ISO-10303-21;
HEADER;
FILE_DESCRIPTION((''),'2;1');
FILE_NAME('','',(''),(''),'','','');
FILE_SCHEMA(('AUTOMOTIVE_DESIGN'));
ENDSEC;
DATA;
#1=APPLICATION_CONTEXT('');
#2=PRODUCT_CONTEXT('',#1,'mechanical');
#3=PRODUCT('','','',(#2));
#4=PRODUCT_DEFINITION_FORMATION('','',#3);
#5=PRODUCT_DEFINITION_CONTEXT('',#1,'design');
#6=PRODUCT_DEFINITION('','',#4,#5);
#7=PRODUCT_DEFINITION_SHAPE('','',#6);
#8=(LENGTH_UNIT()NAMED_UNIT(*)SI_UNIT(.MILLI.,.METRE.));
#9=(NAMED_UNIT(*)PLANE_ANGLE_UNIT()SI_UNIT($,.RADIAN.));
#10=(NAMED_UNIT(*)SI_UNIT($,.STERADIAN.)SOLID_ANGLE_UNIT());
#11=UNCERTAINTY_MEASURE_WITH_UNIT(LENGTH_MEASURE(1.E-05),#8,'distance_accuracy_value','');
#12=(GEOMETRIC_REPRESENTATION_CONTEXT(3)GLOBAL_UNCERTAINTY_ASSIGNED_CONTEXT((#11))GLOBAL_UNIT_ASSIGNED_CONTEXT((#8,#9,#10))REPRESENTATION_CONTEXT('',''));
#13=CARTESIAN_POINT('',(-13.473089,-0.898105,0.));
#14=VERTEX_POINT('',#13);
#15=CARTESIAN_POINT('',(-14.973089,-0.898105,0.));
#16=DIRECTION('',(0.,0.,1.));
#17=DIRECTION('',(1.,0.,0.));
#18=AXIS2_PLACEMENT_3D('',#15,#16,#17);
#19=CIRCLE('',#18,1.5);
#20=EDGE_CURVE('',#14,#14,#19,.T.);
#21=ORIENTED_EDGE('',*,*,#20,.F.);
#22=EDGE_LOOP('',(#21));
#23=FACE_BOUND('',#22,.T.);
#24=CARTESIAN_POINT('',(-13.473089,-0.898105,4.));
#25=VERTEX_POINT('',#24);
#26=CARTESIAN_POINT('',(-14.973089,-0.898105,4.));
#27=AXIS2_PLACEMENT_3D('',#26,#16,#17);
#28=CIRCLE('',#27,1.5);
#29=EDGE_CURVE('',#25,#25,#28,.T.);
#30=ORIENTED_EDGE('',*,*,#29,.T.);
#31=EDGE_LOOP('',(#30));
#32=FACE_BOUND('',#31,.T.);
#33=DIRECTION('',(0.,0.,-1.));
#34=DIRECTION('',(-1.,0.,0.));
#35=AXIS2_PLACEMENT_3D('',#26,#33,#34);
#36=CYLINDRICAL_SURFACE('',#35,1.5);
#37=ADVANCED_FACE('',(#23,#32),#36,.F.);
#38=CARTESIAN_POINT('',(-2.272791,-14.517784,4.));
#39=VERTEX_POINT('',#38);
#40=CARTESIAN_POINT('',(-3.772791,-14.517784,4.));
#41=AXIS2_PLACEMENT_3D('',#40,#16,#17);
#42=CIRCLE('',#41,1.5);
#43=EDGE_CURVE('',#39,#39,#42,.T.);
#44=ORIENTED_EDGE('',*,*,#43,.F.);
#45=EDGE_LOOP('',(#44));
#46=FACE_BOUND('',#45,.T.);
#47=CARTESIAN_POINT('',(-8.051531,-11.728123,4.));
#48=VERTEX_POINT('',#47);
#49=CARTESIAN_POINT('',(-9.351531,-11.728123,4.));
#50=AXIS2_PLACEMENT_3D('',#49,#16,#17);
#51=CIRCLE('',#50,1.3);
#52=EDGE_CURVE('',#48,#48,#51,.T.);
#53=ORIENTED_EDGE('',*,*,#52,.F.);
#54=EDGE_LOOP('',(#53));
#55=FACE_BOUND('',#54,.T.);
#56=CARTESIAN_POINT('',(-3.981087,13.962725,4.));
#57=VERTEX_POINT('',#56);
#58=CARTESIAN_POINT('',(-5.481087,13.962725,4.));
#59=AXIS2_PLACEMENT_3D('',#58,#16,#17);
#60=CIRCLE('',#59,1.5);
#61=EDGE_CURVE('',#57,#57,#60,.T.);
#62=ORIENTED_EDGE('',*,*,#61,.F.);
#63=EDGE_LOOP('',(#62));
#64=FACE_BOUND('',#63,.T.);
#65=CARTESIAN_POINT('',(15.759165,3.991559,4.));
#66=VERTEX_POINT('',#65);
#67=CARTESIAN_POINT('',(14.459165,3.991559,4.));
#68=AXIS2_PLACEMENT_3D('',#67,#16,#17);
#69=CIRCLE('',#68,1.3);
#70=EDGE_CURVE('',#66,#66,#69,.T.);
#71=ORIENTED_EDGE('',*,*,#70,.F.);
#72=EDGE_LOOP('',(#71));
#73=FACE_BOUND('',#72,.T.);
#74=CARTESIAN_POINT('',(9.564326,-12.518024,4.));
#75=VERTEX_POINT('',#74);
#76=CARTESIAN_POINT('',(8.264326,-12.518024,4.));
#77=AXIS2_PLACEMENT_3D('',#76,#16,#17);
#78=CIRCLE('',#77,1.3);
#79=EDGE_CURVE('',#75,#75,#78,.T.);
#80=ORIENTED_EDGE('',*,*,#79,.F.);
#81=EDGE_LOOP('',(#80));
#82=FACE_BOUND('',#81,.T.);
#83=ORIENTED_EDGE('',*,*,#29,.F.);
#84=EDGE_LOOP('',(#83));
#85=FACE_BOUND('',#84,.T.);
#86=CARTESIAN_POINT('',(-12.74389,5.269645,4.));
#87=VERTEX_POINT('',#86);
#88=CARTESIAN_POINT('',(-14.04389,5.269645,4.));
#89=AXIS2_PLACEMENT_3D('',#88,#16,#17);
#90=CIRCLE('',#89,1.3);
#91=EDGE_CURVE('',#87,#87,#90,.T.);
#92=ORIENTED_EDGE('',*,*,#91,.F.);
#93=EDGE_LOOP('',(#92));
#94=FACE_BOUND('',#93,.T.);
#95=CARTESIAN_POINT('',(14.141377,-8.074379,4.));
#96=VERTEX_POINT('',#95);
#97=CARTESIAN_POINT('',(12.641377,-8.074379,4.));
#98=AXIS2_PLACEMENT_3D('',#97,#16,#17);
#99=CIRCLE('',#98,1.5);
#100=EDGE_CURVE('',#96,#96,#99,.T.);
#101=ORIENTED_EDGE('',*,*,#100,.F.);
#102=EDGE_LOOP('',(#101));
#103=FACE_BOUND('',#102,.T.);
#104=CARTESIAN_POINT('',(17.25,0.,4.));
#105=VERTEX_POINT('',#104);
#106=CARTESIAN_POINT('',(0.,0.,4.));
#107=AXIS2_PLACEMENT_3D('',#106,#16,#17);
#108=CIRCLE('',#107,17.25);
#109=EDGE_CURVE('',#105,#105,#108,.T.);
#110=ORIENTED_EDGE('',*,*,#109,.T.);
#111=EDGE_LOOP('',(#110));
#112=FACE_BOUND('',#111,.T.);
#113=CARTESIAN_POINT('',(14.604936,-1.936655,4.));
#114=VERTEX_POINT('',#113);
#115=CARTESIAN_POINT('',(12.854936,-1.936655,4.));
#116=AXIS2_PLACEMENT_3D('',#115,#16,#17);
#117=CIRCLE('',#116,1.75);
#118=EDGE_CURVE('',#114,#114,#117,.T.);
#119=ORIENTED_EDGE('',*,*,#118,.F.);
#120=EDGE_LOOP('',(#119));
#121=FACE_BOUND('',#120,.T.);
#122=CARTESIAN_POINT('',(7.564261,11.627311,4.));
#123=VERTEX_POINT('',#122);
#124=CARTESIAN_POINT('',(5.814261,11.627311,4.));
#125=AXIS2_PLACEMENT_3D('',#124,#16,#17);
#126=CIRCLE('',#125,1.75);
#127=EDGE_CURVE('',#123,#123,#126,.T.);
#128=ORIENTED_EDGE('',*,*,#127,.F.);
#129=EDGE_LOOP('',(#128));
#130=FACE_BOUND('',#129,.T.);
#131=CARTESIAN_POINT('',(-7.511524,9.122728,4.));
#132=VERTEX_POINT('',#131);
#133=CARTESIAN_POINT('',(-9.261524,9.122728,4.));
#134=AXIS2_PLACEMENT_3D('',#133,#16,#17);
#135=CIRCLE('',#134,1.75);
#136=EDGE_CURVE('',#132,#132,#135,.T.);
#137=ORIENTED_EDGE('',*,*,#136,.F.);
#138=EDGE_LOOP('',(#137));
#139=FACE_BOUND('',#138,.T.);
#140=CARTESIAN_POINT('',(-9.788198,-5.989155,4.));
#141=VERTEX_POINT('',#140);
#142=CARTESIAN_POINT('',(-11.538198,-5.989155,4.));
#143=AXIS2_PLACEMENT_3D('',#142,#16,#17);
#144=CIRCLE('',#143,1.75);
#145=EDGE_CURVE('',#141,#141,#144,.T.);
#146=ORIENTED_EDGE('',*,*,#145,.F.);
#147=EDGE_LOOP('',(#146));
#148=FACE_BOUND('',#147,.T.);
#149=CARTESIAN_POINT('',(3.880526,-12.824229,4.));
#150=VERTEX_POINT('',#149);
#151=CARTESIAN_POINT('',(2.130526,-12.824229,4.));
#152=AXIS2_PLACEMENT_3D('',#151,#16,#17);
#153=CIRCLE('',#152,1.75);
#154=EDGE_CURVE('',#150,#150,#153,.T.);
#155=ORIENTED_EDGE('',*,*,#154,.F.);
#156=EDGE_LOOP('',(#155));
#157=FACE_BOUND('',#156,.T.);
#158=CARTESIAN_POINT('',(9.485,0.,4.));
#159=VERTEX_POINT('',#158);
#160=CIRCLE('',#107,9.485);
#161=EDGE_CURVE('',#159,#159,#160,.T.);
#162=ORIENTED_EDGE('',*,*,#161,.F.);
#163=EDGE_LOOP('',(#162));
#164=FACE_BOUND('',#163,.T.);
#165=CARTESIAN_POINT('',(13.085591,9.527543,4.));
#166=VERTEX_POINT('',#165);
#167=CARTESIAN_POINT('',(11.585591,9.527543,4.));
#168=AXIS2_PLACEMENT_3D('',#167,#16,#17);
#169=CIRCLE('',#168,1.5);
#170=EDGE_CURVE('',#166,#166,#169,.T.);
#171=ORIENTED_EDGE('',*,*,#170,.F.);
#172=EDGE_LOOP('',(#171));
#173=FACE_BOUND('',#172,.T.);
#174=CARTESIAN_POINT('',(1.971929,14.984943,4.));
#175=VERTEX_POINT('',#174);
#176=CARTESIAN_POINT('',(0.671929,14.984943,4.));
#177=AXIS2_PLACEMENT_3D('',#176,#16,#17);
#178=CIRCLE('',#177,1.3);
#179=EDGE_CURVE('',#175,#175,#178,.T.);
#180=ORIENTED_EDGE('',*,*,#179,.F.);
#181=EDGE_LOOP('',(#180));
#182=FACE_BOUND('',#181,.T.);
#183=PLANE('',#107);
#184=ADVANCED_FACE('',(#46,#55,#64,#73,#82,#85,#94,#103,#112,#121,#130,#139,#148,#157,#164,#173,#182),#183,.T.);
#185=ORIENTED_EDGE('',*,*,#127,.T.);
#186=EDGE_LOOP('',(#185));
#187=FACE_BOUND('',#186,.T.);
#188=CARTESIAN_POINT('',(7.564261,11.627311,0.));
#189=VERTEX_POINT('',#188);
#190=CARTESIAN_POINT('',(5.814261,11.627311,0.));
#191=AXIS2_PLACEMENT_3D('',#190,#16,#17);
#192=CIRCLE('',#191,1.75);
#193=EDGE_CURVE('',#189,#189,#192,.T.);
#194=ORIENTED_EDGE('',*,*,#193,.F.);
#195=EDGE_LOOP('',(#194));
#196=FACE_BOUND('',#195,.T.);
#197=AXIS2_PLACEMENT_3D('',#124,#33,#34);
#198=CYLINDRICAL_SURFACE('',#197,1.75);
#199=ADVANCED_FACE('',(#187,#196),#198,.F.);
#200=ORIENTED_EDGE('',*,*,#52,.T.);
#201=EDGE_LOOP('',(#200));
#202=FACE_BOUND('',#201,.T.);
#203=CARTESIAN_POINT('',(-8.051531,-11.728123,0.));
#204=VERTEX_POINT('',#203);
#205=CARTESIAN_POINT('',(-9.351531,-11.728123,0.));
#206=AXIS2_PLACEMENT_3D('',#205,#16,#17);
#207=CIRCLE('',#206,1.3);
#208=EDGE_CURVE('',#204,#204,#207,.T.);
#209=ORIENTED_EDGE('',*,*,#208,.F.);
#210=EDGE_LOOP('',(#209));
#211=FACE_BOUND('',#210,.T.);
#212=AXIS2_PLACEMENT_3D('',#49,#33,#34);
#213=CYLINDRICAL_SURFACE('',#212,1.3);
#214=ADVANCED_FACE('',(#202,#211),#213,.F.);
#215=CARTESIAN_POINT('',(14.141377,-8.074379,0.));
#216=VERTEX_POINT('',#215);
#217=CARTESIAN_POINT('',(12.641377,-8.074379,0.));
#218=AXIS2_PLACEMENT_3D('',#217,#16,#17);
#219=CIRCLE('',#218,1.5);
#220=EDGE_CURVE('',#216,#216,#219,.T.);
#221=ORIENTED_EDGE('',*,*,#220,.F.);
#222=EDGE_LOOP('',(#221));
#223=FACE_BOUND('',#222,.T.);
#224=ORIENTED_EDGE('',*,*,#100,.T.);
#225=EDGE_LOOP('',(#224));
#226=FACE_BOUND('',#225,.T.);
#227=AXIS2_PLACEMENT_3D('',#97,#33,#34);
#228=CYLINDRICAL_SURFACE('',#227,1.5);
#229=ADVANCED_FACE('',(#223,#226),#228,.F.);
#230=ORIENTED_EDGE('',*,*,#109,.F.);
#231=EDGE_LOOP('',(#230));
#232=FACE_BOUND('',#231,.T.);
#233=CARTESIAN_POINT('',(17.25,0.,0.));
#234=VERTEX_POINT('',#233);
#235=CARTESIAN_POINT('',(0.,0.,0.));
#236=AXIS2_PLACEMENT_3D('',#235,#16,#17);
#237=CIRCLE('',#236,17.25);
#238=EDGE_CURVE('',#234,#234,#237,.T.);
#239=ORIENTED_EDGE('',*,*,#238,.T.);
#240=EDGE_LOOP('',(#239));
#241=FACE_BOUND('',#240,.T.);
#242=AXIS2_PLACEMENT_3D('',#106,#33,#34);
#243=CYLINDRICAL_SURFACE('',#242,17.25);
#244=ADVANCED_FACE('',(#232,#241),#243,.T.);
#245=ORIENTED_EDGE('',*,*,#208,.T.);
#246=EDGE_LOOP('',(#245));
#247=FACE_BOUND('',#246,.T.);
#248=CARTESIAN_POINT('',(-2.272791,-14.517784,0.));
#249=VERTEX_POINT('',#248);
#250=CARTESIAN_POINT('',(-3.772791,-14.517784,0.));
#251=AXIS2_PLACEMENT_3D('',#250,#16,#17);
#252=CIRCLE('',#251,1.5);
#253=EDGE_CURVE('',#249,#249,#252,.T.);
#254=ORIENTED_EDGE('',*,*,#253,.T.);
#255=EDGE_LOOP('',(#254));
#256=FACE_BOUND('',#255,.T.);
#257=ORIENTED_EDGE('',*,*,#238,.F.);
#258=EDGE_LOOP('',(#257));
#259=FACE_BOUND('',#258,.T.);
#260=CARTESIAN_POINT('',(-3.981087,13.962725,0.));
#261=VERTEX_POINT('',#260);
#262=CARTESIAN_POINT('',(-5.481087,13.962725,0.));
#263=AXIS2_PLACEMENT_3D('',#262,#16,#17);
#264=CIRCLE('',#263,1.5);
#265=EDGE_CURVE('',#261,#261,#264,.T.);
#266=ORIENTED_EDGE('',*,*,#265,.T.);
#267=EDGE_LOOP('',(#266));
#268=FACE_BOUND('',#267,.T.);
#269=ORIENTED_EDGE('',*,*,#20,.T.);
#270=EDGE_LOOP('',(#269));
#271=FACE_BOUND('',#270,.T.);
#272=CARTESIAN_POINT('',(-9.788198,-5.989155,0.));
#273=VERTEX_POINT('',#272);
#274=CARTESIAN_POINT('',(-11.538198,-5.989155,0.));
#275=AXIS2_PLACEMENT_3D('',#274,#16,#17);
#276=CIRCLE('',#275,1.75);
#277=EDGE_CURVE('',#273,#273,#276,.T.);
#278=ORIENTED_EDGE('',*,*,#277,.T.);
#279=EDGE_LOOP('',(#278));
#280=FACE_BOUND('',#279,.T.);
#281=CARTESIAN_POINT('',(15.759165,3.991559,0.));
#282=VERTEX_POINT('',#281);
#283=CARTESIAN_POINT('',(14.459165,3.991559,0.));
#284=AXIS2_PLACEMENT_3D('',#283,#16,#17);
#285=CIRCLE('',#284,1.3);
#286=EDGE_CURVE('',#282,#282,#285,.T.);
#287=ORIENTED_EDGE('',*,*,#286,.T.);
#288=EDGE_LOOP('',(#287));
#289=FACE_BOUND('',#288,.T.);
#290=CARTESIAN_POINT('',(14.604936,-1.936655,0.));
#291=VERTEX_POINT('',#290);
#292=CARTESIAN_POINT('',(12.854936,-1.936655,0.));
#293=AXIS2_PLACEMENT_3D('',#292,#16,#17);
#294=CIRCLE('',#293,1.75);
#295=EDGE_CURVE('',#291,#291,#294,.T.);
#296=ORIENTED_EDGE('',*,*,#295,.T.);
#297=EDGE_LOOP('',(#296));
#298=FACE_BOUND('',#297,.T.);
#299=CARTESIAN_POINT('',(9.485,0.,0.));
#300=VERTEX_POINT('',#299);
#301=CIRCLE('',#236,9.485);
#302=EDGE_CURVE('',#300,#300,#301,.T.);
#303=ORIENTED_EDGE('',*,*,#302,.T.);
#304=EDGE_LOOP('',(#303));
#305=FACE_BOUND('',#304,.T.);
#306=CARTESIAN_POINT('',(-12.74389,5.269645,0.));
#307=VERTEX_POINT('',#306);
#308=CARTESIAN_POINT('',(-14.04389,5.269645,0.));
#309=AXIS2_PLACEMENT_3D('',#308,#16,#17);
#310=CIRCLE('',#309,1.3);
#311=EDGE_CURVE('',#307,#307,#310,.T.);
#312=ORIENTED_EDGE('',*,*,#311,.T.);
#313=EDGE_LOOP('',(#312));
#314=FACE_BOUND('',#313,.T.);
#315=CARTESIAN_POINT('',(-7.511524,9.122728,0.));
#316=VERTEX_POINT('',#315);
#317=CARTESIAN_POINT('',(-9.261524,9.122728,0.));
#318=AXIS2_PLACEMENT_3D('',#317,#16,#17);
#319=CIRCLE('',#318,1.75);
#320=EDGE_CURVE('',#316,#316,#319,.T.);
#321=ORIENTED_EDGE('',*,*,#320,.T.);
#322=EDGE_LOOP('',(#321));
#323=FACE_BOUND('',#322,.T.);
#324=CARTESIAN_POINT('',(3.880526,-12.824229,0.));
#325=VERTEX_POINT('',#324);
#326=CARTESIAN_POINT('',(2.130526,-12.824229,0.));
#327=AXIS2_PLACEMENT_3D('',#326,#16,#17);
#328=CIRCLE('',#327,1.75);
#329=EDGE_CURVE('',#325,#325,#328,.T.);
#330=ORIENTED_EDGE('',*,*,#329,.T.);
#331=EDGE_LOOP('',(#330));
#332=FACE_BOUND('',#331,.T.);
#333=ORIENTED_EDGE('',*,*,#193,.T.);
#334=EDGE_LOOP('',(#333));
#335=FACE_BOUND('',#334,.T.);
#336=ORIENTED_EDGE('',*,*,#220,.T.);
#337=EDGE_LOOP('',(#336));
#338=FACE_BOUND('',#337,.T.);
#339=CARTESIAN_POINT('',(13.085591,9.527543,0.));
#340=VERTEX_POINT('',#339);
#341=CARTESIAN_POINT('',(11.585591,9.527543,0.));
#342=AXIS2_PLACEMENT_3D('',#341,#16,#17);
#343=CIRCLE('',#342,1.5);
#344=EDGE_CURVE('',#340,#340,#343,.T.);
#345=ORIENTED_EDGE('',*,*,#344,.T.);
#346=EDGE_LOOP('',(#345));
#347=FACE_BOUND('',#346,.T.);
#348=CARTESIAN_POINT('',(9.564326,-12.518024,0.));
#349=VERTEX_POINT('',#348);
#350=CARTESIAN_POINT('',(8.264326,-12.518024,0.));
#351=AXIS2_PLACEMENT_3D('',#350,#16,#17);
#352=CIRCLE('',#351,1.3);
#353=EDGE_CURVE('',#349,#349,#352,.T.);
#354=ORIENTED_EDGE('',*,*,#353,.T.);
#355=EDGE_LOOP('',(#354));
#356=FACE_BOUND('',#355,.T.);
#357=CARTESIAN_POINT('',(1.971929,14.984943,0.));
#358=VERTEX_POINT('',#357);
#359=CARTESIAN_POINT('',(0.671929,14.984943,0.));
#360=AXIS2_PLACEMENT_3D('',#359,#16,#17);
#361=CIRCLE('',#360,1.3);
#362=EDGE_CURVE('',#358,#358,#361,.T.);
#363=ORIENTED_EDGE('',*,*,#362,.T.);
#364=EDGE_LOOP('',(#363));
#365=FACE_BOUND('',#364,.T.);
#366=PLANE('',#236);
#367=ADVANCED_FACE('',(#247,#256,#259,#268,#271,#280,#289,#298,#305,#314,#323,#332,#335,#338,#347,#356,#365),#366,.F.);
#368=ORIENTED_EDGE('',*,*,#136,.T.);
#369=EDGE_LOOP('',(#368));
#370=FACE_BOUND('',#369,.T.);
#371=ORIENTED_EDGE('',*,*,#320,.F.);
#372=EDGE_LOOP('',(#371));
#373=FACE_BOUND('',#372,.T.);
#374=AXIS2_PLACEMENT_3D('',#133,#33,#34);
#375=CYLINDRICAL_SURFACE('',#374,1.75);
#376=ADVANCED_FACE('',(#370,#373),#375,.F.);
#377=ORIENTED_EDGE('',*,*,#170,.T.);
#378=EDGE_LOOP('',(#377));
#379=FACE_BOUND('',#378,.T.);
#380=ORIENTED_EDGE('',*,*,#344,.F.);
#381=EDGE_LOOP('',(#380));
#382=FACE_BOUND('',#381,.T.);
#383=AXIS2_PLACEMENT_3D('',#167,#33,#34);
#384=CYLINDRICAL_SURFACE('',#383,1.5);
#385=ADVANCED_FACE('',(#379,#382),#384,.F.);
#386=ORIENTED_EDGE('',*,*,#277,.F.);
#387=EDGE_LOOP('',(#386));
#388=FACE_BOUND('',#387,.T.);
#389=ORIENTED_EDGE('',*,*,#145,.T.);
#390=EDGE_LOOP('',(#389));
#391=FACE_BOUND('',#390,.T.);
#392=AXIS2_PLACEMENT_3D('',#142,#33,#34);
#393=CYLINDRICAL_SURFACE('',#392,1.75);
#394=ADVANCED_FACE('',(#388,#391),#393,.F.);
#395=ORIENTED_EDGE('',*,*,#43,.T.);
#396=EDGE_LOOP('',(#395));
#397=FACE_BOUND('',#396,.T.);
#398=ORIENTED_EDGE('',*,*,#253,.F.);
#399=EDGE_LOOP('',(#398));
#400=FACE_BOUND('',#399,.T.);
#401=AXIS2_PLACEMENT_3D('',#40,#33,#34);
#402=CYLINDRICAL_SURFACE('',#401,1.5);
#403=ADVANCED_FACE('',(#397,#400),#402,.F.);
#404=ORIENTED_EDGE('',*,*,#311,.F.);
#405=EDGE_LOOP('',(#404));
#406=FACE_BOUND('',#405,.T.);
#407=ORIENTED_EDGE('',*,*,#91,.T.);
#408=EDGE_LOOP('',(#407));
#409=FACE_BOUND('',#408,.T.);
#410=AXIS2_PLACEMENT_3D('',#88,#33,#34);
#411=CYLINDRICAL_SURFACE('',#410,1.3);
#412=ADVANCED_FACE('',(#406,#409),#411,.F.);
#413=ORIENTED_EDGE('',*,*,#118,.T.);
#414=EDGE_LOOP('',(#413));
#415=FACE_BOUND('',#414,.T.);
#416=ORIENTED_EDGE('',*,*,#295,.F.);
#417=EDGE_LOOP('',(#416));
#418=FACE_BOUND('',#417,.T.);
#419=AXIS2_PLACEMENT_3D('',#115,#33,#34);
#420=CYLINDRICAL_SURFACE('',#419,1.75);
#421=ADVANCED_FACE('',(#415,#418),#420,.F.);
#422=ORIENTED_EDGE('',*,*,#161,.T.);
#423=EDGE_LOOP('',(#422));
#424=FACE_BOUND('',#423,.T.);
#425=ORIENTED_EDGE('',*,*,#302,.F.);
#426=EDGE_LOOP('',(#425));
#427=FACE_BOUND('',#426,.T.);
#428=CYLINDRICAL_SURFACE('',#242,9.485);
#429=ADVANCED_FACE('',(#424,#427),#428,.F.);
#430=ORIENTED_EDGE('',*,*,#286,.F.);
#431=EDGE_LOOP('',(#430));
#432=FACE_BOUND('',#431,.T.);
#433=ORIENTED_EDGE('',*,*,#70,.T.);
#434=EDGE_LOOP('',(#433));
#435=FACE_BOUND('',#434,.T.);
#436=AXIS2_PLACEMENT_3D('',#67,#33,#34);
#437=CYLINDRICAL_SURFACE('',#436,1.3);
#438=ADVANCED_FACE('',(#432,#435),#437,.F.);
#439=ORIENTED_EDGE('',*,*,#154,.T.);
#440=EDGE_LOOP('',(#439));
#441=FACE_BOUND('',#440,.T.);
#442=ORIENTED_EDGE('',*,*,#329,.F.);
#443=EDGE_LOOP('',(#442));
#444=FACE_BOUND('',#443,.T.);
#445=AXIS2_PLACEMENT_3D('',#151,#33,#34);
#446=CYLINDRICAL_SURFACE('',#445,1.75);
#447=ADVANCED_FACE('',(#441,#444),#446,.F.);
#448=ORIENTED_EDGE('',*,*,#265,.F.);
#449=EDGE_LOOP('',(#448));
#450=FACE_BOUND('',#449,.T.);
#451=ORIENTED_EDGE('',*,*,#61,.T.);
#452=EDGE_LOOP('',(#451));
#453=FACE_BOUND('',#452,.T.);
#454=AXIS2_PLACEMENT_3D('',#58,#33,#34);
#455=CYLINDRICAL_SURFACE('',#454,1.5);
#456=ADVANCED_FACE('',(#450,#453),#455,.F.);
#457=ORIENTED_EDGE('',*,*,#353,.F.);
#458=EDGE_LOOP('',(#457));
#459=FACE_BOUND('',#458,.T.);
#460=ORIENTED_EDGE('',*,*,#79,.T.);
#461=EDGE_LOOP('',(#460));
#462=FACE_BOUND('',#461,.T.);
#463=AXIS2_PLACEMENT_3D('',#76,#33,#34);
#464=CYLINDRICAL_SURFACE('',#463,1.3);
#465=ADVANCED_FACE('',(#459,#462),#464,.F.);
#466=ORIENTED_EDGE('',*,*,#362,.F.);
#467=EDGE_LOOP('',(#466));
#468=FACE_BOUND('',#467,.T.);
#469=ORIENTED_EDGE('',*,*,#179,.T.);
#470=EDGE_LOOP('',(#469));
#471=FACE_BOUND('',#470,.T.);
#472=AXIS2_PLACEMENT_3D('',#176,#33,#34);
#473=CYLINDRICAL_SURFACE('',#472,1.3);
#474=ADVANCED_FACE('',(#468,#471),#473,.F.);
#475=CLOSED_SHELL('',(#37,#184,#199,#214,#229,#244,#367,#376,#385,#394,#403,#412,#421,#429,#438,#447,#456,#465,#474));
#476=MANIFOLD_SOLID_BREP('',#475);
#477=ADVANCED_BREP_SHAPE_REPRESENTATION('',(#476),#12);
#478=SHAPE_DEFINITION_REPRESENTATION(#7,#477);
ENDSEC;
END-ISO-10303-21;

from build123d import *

# Parameters (mm, degrees)
SKETCH_1_R      = 17.25
SKETCH_1_R_2    = 9.485
SKETCH_1_R_3    = 1.3
SKETCH_1_R_4    = 1.5
SKETCH_1_R_5    = 1.75
EXTRUDE_1_DEPTH = 4


with BuildPart() as part:
    # 草图1 → 凸台-拉伸1 (new body)
    with BuildSketch(Plane.XY):
        Circle(SKETCH_1_R)
        Circle(SKETCH_1_R_2, mode=Mode.SUBTRACT)
        with Locations((8.264326198, -12.518023506)):
            Circle(SKETCH_1_R_3, mode=Mode.SUBTRACT)
        with Locations((-9.351530584, -11.728123283)):
            Circle(SKETCH_1_R_3, mode=Mode.SUBTRACT)
        with Locations((-14.043889946, 5.269644693)):
            Circle(SKETCH_1_R_3, mode=Mode.SUBTRACT)
        with Locations((0.671929263, 14.984942812)):
            Circle(SKETCH_1_R_3, mode=Mode.SUBTRACT)
        with Locations((14.459165069, 3.991559284)):
            Circle(SKETCH_1_R_3, mode=Mode.SUBTRACT)
        with Locations((11.585591146, 9.527543115)):
            Circle(SKETCH_1_R_4, mode=Mode.SUBTRACT)
        with Locations((12.641376517, -8.074379217)):
            Circle(SKETCH_1_R_4, mode=Mode.SUBTRACT)
        with Locations((-3.772790794, -14.517783909)):
            Circle(SKETCH_1_R_4, mode=Mode.SUBTRACT)
        with Locations((-14.97308946, -0.89810468)):
            Circle(SKETCH_1_R_4, mode=Mode.SUBTRACT)
        with Locations((-5.481087409, 13.962724691)):
            Circle(SKETCH_1_R_4, mode=Mode.SUBTRACT)
        with Locations((5.814261494, 11.627311094)):
            Circle(SKETCH_1_R_5, mode=Mode.SUBTRACT)
        with Locations((12.854935594, -1.936654554)):
            Circle(SKETCH_1_R_5, mode=Mode.SUBTRACT)
        with Locations((2.130525627, -12.824229433)):
            Circle(SKETCH_1_R_5, mode=Mode.SUBTRACT)
        with Locations((-11.538198343, -5.989155115)):
            Circle(SKETCH_1_R_5, mode=Mode.SUBTRACT)
        with Locations((-9.261524372, 9.122728008)):
            Circle(SKETCH_1_R_5, mode=Mode.SUBTRACT)
    extrude(amount=EXTRUDE_1_DEPTH)


solid = part.part
